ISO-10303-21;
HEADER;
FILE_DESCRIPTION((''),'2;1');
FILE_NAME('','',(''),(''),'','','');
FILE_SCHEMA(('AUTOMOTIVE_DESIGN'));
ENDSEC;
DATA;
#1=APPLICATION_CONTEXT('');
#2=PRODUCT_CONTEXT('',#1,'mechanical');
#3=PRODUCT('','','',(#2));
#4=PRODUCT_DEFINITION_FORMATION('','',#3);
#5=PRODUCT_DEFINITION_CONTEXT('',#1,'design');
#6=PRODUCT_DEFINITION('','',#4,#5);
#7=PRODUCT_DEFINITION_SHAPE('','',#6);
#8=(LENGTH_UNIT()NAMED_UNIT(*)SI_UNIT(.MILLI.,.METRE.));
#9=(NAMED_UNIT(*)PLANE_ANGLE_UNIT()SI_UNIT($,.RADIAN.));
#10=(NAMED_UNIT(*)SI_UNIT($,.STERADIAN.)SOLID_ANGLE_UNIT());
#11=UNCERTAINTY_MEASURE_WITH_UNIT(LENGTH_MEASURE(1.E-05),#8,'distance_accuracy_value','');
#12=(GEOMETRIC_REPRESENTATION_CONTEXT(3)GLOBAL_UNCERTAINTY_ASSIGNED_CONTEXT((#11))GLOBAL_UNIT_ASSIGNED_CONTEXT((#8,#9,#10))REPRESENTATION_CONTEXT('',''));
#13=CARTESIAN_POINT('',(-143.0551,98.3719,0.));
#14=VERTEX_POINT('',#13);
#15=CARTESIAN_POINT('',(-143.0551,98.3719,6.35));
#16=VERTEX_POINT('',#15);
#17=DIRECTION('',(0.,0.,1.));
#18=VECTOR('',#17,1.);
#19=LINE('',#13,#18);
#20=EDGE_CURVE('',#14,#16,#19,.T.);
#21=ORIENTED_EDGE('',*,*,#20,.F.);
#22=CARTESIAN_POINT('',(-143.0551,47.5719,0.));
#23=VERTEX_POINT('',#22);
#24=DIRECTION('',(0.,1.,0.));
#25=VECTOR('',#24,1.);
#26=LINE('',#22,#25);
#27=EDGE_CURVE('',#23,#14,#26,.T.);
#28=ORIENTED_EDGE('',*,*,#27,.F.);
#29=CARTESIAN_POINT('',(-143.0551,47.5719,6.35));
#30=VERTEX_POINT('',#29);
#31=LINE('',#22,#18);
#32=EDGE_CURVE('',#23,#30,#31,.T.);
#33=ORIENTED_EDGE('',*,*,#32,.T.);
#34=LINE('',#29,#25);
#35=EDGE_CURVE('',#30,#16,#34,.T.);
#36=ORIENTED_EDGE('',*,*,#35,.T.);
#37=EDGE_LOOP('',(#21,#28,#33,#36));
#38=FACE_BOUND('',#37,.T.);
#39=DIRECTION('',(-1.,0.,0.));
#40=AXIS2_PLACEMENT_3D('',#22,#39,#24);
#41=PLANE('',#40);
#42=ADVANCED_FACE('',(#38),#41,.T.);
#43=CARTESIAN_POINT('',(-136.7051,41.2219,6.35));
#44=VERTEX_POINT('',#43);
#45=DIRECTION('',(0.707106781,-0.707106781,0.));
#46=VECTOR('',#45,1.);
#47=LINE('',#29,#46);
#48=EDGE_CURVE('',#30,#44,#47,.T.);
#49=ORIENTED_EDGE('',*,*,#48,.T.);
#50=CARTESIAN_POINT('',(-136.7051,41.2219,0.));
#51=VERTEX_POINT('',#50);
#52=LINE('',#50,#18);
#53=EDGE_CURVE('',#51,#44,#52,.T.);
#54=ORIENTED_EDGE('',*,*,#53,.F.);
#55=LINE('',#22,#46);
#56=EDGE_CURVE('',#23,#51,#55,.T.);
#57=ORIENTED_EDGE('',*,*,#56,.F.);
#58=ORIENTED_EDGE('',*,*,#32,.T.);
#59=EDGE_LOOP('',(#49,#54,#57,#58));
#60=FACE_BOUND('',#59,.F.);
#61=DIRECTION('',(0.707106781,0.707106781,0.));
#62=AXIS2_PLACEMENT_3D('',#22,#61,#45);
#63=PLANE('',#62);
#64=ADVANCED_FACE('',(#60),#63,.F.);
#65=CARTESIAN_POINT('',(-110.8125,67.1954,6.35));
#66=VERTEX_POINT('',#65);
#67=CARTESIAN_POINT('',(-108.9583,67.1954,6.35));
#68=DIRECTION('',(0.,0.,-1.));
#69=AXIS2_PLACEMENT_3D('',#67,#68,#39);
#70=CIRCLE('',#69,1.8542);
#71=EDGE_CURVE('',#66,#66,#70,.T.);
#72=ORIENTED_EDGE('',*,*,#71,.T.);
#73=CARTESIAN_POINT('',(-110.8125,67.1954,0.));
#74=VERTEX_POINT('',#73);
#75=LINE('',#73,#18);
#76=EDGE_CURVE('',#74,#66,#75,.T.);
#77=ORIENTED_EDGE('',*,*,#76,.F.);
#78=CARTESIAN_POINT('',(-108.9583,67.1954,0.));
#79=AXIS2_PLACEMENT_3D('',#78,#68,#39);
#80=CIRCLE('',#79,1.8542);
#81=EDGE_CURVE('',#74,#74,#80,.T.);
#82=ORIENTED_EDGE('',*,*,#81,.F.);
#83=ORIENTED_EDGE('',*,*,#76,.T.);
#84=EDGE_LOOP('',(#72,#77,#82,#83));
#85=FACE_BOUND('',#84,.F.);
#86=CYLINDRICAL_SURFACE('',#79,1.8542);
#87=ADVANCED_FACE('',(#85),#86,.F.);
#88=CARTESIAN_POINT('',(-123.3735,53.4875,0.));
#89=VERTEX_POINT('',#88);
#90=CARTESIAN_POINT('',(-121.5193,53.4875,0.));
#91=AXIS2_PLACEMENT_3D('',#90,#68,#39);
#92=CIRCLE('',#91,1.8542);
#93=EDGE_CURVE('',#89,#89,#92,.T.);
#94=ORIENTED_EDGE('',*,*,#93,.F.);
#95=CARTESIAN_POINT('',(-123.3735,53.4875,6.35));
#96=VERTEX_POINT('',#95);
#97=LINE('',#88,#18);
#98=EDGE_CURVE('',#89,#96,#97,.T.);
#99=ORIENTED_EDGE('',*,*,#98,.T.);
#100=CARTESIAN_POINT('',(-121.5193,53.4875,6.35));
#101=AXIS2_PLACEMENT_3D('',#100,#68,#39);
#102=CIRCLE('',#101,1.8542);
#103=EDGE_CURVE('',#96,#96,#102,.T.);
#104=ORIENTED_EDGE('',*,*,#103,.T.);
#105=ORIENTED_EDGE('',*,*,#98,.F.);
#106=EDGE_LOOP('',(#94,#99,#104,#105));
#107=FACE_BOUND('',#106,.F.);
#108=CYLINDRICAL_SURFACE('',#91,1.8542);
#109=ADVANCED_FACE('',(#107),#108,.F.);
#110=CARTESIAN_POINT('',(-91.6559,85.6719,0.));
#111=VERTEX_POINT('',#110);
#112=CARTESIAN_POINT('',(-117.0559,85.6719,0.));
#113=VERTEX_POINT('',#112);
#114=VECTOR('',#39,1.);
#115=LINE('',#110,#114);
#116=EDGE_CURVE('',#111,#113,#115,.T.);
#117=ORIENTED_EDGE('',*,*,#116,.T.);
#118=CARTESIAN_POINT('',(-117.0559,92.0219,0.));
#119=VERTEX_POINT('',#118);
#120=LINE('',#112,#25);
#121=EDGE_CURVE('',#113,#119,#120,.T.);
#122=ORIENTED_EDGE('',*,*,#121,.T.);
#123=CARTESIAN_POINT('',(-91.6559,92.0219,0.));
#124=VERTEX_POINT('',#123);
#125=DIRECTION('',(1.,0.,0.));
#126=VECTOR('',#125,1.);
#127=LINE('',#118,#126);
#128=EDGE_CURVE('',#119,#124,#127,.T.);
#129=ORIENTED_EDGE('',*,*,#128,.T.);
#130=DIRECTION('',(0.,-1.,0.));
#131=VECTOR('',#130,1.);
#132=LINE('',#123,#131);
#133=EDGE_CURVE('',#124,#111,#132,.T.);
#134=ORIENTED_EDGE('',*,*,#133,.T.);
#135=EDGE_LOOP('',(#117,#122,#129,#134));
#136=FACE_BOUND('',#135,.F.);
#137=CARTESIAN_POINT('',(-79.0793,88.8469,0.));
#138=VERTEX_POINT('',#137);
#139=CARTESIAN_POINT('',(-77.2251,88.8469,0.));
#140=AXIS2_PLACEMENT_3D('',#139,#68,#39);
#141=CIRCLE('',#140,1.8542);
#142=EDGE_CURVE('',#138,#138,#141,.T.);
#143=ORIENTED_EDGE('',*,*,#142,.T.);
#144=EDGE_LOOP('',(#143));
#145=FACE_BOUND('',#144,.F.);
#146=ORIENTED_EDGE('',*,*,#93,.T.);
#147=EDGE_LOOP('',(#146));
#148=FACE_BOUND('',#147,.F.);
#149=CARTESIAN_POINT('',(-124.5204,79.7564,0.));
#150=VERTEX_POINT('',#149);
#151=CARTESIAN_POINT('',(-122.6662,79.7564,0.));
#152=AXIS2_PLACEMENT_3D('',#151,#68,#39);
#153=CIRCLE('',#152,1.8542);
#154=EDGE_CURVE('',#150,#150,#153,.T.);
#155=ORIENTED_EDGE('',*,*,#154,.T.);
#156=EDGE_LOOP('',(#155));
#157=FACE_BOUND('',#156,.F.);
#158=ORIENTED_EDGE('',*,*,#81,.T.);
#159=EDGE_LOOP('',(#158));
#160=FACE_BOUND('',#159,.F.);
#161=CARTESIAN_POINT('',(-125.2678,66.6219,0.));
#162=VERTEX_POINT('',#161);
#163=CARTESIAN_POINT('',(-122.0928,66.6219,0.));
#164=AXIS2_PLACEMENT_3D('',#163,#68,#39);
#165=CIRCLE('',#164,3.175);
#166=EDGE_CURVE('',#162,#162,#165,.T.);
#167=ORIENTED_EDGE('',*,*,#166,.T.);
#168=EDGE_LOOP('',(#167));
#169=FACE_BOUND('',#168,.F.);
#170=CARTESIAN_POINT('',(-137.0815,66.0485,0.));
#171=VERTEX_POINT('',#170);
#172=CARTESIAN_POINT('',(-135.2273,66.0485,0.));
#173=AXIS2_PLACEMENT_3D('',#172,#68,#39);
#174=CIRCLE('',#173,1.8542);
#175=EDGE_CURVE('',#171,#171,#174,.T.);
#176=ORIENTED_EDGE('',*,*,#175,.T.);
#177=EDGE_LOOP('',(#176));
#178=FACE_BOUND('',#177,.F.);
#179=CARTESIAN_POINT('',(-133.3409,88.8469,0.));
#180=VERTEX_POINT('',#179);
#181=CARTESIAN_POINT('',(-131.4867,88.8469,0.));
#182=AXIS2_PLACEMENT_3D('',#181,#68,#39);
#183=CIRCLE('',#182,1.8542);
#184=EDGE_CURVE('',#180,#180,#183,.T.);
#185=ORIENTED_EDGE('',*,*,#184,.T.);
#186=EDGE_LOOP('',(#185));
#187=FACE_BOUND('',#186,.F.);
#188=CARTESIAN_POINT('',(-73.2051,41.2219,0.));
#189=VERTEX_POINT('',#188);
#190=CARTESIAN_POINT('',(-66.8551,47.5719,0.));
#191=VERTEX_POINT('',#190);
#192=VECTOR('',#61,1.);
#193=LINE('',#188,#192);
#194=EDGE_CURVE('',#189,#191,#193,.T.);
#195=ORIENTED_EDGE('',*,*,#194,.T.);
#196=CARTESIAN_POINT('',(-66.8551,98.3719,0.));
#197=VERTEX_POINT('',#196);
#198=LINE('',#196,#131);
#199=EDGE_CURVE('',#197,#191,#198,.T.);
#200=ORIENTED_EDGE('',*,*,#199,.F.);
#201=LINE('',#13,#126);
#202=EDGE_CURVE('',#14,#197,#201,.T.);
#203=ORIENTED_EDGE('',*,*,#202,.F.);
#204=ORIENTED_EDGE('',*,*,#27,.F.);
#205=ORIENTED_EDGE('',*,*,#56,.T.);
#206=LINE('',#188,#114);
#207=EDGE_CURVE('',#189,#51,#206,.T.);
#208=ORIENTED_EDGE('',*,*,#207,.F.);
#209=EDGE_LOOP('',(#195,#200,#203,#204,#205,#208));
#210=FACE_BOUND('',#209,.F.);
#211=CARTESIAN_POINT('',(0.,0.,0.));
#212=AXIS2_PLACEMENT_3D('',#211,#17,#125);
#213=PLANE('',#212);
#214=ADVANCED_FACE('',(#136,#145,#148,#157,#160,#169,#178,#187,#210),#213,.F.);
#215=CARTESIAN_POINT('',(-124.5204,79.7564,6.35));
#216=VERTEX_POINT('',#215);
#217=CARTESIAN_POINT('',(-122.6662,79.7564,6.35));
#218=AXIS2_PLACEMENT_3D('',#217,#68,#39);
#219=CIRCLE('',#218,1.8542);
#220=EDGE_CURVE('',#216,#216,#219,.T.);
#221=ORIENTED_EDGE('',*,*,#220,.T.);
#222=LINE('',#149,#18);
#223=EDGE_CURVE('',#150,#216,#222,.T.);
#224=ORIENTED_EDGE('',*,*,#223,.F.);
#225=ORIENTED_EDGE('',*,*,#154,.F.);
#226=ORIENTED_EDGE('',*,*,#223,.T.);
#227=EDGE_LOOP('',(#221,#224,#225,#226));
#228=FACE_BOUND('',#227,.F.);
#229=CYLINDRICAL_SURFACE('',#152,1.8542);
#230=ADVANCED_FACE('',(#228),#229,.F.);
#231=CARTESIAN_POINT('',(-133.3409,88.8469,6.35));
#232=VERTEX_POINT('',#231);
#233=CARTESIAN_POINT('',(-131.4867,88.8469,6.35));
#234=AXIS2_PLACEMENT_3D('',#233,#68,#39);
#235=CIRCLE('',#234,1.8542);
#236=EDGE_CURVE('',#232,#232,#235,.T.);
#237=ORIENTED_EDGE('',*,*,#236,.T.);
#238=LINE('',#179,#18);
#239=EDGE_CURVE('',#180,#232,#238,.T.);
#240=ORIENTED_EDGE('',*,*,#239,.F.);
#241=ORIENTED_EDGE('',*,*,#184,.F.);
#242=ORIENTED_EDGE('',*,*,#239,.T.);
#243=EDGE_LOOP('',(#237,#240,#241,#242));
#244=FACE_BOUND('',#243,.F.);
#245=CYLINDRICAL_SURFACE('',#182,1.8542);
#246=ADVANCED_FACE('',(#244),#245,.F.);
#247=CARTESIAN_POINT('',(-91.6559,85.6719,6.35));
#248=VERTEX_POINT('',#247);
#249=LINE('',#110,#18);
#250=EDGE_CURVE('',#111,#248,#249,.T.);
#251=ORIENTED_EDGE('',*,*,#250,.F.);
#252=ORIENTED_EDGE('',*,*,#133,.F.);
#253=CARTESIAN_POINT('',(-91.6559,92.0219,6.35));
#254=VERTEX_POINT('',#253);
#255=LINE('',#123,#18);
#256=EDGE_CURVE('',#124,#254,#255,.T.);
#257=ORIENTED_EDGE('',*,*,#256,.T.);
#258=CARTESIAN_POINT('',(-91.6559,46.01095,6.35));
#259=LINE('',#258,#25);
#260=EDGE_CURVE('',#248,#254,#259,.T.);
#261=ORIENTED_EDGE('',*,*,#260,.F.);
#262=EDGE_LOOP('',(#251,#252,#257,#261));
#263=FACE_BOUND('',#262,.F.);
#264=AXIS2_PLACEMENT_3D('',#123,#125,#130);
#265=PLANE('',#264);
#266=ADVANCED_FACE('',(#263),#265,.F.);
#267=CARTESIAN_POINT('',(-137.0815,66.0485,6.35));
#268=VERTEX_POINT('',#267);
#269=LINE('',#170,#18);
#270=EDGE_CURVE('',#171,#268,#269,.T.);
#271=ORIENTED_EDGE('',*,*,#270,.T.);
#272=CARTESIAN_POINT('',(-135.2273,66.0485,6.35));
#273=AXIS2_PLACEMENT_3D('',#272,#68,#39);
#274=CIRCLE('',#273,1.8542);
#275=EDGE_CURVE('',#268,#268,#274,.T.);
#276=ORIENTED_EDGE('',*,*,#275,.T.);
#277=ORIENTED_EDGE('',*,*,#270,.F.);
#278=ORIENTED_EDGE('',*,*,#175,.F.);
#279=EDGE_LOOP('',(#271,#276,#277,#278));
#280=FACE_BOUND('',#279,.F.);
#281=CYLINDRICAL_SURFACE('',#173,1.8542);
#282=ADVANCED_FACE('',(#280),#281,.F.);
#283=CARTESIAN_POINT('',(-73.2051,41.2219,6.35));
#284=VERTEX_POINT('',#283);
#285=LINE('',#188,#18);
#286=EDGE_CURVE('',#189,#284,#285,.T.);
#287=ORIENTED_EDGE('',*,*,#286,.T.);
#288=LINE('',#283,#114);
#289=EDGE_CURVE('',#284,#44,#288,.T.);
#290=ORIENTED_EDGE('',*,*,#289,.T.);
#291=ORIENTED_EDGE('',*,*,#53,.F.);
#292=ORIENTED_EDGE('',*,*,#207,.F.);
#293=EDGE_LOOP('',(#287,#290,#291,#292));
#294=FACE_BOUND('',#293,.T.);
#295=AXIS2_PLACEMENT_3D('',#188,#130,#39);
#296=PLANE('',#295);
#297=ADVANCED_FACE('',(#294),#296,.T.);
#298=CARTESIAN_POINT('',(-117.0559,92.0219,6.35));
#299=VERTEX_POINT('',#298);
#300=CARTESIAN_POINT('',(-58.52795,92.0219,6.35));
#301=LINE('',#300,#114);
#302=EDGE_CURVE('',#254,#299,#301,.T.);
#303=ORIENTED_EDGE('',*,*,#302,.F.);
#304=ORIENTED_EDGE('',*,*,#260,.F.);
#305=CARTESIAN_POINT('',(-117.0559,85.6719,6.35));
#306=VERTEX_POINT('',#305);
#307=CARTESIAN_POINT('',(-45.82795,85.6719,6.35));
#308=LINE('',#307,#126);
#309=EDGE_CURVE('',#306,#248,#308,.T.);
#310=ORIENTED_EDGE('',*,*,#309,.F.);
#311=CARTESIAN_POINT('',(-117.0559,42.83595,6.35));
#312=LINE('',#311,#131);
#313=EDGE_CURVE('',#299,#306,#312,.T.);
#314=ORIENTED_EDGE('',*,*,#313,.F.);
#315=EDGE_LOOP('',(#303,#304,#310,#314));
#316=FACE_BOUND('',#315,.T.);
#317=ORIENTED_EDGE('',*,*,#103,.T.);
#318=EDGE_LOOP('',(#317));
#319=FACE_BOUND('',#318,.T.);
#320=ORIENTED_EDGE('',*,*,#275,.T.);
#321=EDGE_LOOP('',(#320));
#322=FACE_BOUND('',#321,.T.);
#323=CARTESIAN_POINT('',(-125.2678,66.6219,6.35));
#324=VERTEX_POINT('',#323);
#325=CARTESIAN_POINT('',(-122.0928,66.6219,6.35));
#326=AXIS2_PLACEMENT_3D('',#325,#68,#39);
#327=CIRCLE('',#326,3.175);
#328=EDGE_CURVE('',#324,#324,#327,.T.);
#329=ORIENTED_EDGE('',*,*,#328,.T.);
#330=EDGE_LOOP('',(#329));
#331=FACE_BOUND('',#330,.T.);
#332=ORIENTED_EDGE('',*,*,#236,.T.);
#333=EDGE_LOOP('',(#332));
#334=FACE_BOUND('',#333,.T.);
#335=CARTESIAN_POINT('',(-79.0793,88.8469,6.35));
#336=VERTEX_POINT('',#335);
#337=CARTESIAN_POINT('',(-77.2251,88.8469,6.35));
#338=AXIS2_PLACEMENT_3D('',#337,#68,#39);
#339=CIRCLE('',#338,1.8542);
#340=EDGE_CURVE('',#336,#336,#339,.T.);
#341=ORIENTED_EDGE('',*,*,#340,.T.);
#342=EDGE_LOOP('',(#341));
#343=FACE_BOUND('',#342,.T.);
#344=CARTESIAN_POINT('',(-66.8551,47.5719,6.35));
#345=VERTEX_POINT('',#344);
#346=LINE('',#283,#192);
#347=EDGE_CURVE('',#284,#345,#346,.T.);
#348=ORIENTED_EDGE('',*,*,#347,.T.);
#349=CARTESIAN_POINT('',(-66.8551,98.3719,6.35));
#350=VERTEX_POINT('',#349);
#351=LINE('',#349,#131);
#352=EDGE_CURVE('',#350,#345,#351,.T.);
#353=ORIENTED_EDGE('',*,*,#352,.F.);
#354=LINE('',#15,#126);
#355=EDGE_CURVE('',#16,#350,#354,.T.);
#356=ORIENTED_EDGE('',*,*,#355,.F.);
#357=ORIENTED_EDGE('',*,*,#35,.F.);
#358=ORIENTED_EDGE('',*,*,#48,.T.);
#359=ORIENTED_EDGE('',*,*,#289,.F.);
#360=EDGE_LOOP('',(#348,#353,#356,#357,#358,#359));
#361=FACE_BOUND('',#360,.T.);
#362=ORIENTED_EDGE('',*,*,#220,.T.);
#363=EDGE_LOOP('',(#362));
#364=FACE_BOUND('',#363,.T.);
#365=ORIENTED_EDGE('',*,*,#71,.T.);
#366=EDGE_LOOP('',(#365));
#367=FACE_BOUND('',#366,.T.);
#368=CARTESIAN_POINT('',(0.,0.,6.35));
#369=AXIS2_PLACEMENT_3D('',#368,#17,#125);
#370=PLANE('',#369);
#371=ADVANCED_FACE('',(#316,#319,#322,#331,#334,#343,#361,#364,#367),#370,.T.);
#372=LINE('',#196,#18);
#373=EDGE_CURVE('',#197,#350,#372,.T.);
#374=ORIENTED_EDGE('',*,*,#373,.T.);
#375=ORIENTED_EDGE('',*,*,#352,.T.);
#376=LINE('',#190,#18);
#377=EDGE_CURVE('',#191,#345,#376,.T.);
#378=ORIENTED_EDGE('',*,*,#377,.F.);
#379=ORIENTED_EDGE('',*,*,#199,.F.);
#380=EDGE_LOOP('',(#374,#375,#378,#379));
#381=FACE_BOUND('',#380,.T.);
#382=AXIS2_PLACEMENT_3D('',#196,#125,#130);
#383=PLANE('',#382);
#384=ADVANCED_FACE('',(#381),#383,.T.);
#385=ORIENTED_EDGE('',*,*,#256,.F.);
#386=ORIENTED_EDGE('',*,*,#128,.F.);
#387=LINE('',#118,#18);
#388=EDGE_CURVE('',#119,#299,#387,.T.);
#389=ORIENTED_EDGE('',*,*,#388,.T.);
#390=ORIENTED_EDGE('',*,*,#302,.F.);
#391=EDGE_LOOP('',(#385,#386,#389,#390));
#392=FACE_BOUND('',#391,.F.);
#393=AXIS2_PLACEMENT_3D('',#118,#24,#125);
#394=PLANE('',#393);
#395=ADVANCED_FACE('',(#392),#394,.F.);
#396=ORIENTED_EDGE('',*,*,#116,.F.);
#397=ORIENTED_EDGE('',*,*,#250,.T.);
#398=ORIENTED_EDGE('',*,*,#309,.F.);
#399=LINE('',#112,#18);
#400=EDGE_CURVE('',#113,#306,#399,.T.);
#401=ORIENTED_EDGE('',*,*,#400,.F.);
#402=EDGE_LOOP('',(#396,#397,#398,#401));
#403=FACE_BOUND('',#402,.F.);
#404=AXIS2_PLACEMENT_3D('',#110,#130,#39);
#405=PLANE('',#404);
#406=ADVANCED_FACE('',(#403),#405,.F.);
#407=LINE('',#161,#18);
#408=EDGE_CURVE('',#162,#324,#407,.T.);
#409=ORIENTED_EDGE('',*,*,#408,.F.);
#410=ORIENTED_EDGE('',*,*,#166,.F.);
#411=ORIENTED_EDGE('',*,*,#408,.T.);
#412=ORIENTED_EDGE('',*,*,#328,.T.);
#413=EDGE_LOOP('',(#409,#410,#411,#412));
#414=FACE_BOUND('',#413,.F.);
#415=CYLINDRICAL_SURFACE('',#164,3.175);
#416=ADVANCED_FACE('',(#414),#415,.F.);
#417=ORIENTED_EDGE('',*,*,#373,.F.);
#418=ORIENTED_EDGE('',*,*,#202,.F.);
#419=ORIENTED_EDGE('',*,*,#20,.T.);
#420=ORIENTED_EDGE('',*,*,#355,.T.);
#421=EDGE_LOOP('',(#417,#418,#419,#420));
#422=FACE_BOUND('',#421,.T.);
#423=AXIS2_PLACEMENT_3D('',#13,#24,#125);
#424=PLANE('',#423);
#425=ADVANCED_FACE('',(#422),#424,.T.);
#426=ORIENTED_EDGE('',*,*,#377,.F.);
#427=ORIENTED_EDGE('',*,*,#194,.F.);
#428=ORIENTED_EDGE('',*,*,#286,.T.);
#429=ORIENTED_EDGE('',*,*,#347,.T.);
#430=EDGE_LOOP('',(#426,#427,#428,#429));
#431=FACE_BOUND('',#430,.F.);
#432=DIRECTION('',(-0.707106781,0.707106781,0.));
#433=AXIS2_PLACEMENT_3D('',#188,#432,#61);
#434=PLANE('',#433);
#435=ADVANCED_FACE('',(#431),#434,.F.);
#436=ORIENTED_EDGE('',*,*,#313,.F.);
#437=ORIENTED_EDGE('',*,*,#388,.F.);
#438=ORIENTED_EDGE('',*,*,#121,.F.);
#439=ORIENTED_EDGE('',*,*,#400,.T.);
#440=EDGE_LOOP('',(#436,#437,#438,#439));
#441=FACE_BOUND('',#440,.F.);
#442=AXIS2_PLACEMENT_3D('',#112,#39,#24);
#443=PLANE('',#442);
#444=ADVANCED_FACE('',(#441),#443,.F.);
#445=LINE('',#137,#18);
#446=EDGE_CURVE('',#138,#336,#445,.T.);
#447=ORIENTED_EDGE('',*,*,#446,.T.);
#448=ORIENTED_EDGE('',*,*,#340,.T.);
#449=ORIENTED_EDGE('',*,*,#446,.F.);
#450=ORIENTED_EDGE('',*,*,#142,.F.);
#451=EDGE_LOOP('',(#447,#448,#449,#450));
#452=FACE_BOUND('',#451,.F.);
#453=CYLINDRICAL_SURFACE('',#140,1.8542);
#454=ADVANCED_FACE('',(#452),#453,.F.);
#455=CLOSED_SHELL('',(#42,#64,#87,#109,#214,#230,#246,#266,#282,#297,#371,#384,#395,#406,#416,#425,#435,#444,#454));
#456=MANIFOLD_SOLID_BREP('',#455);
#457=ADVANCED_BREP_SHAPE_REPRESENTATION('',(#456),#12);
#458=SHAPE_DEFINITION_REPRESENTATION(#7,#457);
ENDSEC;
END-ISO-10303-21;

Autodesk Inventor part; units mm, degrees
ref_plane "YZ Plane" through (0, 0, 0) normal (1, 0, 0) x (0, 1, 0)
ref_plane "XZ Plane" through (0, 0, 0) normal (0, 1, 0) x (-1, 0, 0)
ref_plane "XY Plane" through (0, 0, 0) normal (0, 0, 1) x (1, 0, 0)
sketch "Sketch1" plane through (0, 0, 0) normal (0, 0, 1) x (1, 0, 0)
  line L0 (-73.2051, 41.2219) -> (-136.7051, 41.2219)
  line L1 (-143.0551, 47.5719) -> (-143.0551, 98.3719)
  line L2 (-143.0551, 98.3719) -> (-66.8551, 98.3719)
  line L3 (-66.8551, 98.3719) -> (-66.8551, 47.5719)
  line L4 (-143.0551, 47.5719) -> (-136.7051, 41.2219)
  line L5 (-73.2051, 41.2219) -> (-66.8551, 47.5719)
  point P0 (0, 0)
  point P1 (-66.8551, 41.2219)
  point P2 (-143.0551, 41.2219)
  point P3 (-117.6551, 41.2219)
  point P4 (-143.0551, 66.6219)
  point P5 (-66.8551, 72.9719)
  point P6 (-92.2551, 41.2219)
  point P7 (-143.0551, 41.2219)
  point P8 (-66.8551, 41.2219)
  dimension "d0" = 76.2
  dimension "d1" = 57.15
  dimension "d10" = 6.35
  dimension "d11" = 6.35
  dimension "d12" = 6.35
extrude "Extrusion1" add sketch "Sketch1" along normal blind 6.35
sketch "Sketch3" plane through (0, 0, 0) normal (0, 0, -1) x (-1, 0, 0)
  arc A0 (124.5928, 66.6219) -> (120.0565, 65.1716) centre (122.0928, 66.6219) ccw projected
  line L0 (124.5928, 66.6219) -> (120.0565, 65.1716) projected
  circle A1 centre (122.0928, 66.6219) radius 11
  point P0 (0, 0)
extrude "Extrusion3" [suppressed]
sketch "Sketch4" plane through (0, 0, 0) normal (0, 0, -1) x (-1, 0, 0)
  line L0 (143.0551, 92.0219) -> (133.3409, 92.0219) construction
  line L1 (143.0551, 85.6719) -> (133.3409, 85.6719) construction
  line L2 (143.0551, 85.6719) -> (143.0551, 98.3719) construction
  line L3 (35.1051, 88.8469) -> (143.0551, 88.8469) construction
  circle A0 centre (77.2251, 88.8469) radius 1.8542
  circle A1 centre (131.4867, 88.8469) radius 1.8542
  line L4 (133.3409, 92.0219) -> (133.3409, 85.6719) projected
  point P0 (0, 0)
  dimension "d15" = 3.7084
  dimension "d16" = 3.7084
extrude "Extrusion4" cut sketch "Sketch4" against normal through all
sketch "Sketch6" plane through (0, 0, 0) normal (0, 0, -1) x (-1, 0, 0)
  circle A0 centre (122.0928, 66.6219) radius 3.175 projected
  circle A1 centre (108.9583, 67.1954) radius 1.8542 projected
  circle A2 centre (122.6662, 79.7564) radius 1.8542 projected
  circle A3 centre (135.2273, 66.0485) radius 1.8542 projected
  circle A4 centre (121.5193, 53.4875) radius 1.8542 projected
  circle A5 centre (122.0928, 66.6219) radius 19.05 construction
  point P0 (0, 0)
extrude "Extrusion6" cut sketch "Sketch6" against normal through all
sketch "Sketch7" plane through (0, 0, 0) normal (0, 0, -1) x (-1, 0, 0)
  line L0 (35.1051, 85.6719) -> (75.3709, 85.6719) projected
  line L1 (35.1051, 92.0219) -> (75.3709, 92.0219) projected
  line L2 (117.0559, 92.0219) -> (91.6559, 92.0219)
  line L3 (91.6559, 92.0219) -> (91.6559, 85.6719)
  line L4 (91.6559, 85.6719) -> (117.0559, 85.6719)
  line L5 (117.0559, 85.6719) -> (117.0559, 92.0219)
  line L6 (75.3709, 92.0219) -> (75.3709, 85.6719) projected
  line L7 (35.1051, 85.6719) -> (35.1051, 92.0219) projected
  point P0 (0, 0)
  dimension "d23" = 25.4
extrude "Extrusion7" cut sketch "Sketch7" against normal through all contours L5 L4 L3 L2
equation "\"d10\" = d9"
equation "\"d12\" = d11"
equation "\"d9\" = 6.35"
properties part number "projectorMountSide_RB01" material "Nylon, molybdenum disulphide"
